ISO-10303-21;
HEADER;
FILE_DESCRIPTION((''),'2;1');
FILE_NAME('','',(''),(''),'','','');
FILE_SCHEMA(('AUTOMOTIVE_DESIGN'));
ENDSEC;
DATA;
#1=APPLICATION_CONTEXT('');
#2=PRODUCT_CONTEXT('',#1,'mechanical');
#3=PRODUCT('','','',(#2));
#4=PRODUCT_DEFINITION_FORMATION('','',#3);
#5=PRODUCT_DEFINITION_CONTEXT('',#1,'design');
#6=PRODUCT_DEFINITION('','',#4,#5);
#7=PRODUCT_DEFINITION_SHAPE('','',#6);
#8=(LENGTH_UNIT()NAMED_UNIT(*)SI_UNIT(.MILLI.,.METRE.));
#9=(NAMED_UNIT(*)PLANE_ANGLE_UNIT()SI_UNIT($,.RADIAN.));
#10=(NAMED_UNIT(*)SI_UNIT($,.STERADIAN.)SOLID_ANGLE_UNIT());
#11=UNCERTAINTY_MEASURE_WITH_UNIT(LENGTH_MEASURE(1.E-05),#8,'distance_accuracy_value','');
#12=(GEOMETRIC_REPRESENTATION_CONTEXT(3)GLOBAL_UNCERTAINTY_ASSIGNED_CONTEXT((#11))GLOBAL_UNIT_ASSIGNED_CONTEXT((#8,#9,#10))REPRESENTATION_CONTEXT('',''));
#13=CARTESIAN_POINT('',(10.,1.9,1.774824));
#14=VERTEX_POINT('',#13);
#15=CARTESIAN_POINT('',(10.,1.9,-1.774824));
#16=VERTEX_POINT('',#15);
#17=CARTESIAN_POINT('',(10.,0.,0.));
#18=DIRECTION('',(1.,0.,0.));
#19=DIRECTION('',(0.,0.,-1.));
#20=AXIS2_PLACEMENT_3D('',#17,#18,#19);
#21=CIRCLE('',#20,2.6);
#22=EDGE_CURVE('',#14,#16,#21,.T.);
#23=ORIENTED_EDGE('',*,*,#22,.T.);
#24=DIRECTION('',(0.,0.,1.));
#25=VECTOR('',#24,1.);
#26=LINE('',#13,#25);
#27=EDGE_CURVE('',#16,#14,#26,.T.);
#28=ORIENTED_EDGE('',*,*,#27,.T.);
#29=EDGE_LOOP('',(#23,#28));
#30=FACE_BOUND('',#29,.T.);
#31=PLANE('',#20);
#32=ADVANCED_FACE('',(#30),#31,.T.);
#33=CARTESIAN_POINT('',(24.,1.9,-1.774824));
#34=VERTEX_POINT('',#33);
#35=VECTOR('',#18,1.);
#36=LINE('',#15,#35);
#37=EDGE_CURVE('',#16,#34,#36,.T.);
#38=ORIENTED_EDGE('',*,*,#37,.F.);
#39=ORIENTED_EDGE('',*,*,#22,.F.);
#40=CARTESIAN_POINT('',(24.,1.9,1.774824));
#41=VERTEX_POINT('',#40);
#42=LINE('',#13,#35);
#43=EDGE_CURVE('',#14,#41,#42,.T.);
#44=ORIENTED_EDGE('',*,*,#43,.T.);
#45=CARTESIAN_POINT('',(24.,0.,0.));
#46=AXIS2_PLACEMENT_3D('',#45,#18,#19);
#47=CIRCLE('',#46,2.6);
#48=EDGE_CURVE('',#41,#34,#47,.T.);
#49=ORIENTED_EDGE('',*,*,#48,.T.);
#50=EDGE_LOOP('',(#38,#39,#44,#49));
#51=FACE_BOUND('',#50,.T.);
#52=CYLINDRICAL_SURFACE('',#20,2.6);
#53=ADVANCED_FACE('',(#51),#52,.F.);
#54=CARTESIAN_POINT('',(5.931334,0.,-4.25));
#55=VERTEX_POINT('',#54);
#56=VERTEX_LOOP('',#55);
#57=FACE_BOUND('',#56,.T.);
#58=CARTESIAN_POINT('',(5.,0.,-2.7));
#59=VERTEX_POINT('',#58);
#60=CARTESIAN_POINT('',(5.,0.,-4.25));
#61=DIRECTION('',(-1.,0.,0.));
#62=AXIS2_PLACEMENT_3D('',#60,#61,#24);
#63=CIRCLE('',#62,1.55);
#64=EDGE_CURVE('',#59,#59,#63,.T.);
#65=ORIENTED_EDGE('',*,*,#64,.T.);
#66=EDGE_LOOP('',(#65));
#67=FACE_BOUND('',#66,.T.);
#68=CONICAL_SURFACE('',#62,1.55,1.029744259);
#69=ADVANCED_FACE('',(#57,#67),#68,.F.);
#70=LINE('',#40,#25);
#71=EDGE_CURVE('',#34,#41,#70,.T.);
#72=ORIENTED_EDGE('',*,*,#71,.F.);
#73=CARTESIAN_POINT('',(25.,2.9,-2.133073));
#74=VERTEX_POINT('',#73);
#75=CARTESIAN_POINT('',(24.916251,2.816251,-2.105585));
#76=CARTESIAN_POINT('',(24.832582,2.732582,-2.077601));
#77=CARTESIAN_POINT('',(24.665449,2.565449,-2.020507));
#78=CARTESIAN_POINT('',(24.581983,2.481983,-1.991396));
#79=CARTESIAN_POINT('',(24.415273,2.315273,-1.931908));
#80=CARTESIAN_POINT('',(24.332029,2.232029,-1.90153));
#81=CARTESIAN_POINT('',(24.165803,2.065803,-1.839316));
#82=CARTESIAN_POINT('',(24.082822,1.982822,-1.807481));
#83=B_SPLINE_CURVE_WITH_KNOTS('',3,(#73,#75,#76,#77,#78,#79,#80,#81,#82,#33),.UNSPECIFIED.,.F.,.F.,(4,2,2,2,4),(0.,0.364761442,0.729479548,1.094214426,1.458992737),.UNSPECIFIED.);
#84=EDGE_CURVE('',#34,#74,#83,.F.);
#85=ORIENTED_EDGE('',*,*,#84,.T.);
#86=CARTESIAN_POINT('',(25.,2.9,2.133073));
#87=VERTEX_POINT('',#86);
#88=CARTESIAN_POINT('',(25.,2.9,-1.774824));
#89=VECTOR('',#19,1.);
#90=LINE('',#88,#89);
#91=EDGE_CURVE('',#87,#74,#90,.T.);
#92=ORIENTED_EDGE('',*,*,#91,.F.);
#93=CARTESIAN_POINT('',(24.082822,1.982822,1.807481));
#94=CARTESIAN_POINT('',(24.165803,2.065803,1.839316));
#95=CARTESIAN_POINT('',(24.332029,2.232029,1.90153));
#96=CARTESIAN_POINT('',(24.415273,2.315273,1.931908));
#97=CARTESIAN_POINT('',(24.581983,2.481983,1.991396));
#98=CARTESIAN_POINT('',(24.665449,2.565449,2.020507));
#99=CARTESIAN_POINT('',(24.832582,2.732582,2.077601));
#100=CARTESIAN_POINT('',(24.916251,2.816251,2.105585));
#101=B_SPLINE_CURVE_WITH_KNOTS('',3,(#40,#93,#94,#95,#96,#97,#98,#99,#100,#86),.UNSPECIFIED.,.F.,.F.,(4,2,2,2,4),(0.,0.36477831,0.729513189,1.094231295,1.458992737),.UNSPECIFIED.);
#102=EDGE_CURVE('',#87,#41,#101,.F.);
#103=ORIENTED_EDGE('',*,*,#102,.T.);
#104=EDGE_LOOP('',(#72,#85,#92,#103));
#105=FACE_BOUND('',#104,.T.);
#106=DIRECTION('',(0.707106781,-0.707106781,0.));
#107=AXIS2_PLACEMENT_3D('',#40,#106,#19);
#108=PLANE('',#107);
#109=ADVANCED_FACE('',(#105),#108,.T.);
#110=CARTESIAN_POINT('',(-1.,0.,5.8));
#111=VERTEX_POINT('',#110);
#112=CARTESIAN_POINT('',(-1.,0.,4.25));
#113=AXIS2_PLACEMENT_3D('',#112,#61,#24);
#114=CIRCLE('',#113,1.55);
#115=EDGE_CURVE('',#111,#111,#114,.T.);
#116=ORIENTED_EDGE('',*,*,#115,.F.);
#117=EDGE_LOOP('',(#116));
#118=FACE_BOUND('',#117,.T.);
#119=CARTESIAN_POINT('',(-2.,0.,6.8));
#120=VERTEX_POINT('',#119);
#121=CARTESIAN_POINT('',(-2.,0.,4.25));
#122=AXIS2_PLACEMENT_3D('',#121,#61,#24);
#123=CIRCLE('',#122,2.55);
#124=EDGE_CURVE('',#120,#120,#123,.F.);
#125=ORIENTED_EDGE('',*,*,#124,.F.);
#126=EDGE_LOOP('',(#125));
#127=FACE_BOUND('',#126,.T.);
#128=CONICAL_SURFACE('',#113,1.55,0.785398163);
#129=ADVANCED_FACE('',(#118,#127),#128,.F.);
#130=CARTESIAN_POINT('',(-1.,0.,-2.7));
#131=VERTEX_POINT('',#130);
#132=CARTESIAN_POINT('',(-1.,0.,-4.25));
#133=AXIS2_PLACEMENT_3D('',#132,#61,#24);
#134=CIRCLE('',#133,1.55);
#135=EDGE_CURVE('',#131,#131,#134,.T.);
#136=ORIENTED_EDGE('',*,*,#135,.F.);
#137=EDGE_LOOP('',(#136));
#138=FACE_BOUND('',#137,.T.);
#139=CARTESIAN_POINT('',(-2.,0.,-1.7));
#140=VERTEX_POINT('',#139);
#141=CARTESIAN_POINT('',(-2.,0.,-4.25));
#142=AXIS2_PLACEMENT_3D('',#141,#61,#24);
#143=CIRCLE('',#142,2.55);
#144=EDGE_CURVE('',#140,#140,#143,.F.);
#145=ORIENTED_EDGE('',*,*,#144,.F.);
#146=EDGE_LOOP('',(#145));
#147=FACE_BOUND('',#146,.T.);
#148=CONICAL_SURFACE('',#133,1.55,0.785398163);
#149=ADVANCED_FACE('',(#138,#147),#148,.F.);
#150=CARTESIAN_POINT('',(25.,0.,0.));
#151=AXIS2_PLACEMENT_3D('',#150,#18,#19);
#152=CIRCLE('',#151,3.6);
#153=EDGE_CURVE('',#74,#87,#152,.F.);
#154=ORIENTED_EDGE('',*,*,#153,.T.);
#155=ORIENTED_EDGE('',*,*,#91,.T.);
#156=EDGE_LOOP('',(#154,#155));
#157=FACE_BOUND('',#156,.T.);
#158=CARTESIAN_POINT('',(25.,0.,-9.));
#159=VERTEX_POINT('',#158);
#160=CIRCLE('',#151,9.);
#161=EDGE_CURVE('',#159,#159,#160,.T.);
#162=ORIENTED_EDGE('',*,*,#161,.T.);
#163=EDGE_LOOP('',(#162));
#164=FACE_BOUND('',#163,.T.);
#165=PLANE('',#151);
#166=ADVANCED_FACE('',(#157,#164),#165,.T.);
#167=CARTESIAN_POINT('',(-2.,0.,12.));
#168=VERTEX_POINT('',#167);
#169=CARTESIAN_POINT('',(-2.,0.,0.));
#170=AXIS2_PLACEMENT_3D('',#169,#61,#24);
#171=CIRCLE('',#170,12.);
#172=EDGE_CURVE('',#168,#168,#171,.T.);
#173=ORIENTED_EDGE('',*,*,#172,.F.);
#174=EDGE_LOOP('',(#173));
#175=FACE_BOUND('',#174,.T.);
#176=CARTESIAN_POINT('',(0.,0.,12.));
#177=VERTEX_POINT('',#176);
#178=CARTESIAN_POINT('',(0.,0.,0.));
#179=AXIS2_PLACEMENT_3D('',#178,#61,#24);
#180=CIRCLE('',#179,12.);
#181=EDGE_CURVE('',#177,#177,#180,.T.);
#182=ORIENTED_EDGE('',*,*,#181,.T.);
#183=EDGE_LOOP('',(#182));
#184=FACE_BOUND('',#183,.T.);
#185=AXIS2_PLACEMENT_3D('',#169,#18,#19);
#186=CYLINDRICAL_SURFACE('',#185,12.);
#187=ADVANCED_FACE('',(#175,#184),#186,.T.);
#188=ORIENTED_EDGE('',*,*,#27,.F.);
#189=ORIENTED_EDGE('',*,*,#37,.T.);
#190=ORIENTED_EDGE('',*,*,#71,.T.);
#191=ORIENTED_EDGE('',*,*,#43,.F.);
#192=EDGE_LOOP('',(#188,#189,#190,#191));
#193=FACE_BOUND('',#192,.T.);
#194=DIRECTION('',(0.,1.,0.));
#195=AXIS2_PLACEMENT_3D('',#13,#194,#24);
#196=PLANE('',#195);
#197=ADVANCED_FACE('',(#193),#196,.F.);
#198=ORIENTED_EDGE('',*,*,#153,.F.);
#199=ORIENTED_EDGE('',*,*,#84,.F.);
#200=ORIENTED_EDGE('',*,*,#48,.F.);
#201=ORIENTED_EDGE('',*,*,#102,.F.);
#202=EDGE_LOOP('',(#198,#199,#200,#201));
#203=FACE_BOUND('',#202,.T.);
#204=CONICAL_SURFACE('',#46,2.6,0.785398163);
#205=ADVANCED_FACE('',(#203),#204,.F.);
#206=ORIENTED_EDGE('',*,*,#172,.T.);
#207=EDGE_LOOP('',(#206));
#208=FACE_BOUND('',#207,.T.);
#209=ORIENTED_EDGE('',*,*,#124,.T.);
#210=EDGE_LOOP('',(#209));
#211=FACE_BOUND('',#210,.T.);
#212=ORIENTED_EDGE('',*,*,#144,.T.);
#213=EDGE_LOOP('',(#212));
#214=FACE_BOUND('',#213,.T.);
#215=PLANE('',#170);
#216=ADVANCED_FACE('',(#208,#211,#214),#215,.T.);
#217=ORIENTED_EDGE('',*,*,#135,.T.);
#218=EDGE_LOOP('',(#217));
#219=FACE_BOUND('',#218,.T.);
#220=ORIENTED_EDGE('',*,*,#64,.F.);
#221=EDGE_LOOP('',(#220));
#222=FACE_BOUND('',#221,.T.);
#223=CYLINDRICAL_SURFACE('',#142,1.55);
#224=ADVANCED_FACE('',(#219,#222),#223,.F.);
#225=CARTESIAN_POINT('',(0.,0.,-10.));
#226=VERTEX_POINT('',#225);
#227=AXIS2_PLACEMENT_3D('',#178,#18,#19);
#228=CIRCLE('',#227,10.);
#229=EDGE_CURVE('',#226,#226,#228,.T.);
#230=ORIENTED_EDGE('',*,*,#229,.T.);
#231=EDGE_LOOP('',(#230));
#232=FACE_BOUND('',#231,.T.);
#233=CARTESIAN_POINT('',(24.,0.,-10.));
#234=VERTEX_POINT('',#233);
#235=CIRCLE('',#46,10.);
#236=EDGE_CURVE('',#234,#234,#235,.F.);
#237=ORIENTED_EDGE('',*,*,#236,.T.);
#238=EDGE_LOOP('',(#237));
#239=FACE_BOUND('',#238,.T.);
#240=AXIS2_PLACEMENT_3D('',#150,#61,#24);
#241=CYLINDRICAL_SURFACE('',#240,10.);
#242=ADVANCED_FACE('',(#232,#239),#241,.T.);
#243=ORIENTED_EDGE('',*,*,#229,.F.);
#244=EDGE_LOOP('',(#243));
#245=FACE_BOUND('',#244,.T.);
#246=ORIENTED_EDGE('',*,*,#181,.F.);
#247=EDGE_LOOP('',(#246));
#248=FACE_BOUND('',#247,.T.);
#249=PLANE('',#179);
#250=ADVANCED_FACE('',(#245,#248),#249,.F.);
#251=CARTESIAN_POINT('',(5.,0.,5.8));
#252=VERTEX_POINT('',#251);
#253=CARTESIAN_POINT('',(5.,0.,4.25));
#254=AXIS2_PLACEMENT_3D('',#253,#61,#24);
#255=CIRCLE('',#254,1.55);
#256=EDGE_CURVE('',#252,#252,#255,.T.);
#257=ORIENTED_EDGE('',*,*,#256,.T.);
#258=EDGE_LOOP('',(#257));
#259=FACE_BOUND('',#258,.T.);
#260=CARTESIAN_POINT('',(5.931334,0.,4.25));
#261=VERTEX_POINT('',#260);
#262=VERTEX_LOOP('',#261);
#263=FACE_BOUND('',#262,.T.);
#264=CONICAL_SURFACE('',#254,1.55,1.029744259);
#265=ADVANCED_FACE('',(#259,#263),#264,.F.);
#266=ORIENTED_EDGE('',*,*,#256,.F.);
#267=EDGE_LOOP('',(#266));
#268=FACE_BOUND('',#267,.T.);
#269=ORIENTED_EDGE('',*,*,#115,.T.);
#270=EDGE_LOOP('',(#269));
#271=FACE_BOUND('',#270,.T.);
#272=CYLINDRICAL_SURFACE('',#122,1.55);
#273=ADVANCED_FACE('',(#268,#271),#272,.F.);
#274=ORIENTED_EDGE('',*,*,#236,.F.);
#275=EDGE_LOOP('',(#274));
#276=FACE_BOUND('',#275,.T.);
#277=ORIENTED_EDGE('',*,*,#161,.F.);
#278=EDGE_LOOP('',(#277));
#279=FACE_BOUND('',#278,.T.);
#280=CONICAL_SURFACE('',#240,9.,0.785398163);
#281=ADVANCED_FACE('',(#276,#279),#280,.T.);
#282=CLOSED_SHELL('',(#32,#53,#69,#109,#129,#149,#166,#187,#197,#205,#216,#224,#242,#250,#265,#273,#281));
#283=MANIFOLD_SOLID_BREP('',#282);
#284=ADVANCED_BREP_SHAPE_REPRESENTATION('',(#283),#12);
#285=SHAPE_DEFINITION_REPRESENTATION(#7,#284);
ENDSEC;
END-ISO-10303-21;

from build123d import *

# Parameters (mm, degrees)
SKIZZE2_R                            = 10
AUFSATZ_LINEAR_AUSTRAGEN1_DEPTH      = 25
SKIZZE3_R                            = 12
AUFSATZ_LINEAR_AUSTRAGEN2_DEPTH      = 2
SCHNITT_LINEAR_AUSTRAGEN1_DEPTH      = 15
FASE1_SIZE                           = 1
FASE2_SIZE                           = 1
F_3_1_3_1_DURCHMESSER_BOHRUNG1_D     = 3.1
F_3_1_3_1_DURCHMESSER_BOHRUNG1_DEPTH = 7
F_3_1_3_1_DURCHMESSER_BOHRUNG1_TIP   = 0.931333959
FASE3_SIZE                           = 1


with BuildPart() as part:
    # Skizze2 → Aufsatz-Linear austragen1 (new body)
    with BuildSketch(Plane(origin=(0, 0, 0), x_dir=(0, 0, -1), z_dir=(1, 0, 0))):
        Circle(SKIZZE2_R)
    extrude(amount=AUFSATZ_LINEAR_AUSTRAGEN1_DEPTH)

    # Skizze3 → Aufsatz-Linear austragen2 (add)
    with BuildSketch(Plane.ZY):
        Circle(SKIZZE3_R)
    extrude(amount=AUFSATZ_LINEAR_AUSTRAGEN2_DEPTH)

    # Skizze4 → Schnitt-Linear austragen1 (cut)
    with BuildSketch(Plane(origin=(25, 0, 0), x_dir=(0, 0, -1), z_dir=(1, 0, 0))):
        with BuildLine():
            Line((-1.774823935, 1.9), (1.774823935, 1.9))
            ThreePointArc((1.774823935, 1.9), (0, -2.6), (-1.774823935, 1.9))
        make_face()
    extrude(amount=-SCHNITT_LINEAR_AUSTRAGEN1_DEPTH, mode=Mode.SUBTRACT)

    # Fase1
    fase1_edges = [part.edges().sort_by_distance(p)[0] for p in [
        (25, -2.6, 0),
        (25, 1.9, 0),
    ]]
    chamfer(fase1_edges, length=FASE1_SIZE)

    # Fase2
    fase2_edges = [part.edges().sort_by_distance(p)[0] for p in [
        (25, 0, 10),
    ]]
    chamfer(fase2_edges, length=FASE2_SIZE)

    # Ø3.1 (3.1) Durchmesser Bohrung1
    with Locations(Plane.ZY.offset(2)):
        with Locations((4.25, 0), (-4.25, 0)):
            Hole(F_3_1_3_1_DURCHMESSER_BOHRUNG1_D / 2, depth=F_3_1_3_1_DURCHMESSER_BOHRUNG1_DEPTH)
            with Locations((0, 0, -(F_3_1_3_1_DURCHMESSER_BOHRUNG1_DEPTH + F_3_1_3_1_DURCHMESSER_BOHRUNG1_TIP / 2))):  # 118° drill point
                Cone(0, F_3_1_3_1_DURCHMESSER_BOHRUNG1_D / 2, F_3_1_3_1_DURCHMESSER_BOHRUNG1_TIP, mode=Mode.SUBTRACT)

    # Fase3
    fase3_edges = [part.edges().sort_by_distance(p)[0] for p in [
        (-2, 0, 5.8),
        (-2, 0, -2.7),
    ]]
    chamfer(fase3_edges, length=FASE3_SIZE)


solid = part.part
